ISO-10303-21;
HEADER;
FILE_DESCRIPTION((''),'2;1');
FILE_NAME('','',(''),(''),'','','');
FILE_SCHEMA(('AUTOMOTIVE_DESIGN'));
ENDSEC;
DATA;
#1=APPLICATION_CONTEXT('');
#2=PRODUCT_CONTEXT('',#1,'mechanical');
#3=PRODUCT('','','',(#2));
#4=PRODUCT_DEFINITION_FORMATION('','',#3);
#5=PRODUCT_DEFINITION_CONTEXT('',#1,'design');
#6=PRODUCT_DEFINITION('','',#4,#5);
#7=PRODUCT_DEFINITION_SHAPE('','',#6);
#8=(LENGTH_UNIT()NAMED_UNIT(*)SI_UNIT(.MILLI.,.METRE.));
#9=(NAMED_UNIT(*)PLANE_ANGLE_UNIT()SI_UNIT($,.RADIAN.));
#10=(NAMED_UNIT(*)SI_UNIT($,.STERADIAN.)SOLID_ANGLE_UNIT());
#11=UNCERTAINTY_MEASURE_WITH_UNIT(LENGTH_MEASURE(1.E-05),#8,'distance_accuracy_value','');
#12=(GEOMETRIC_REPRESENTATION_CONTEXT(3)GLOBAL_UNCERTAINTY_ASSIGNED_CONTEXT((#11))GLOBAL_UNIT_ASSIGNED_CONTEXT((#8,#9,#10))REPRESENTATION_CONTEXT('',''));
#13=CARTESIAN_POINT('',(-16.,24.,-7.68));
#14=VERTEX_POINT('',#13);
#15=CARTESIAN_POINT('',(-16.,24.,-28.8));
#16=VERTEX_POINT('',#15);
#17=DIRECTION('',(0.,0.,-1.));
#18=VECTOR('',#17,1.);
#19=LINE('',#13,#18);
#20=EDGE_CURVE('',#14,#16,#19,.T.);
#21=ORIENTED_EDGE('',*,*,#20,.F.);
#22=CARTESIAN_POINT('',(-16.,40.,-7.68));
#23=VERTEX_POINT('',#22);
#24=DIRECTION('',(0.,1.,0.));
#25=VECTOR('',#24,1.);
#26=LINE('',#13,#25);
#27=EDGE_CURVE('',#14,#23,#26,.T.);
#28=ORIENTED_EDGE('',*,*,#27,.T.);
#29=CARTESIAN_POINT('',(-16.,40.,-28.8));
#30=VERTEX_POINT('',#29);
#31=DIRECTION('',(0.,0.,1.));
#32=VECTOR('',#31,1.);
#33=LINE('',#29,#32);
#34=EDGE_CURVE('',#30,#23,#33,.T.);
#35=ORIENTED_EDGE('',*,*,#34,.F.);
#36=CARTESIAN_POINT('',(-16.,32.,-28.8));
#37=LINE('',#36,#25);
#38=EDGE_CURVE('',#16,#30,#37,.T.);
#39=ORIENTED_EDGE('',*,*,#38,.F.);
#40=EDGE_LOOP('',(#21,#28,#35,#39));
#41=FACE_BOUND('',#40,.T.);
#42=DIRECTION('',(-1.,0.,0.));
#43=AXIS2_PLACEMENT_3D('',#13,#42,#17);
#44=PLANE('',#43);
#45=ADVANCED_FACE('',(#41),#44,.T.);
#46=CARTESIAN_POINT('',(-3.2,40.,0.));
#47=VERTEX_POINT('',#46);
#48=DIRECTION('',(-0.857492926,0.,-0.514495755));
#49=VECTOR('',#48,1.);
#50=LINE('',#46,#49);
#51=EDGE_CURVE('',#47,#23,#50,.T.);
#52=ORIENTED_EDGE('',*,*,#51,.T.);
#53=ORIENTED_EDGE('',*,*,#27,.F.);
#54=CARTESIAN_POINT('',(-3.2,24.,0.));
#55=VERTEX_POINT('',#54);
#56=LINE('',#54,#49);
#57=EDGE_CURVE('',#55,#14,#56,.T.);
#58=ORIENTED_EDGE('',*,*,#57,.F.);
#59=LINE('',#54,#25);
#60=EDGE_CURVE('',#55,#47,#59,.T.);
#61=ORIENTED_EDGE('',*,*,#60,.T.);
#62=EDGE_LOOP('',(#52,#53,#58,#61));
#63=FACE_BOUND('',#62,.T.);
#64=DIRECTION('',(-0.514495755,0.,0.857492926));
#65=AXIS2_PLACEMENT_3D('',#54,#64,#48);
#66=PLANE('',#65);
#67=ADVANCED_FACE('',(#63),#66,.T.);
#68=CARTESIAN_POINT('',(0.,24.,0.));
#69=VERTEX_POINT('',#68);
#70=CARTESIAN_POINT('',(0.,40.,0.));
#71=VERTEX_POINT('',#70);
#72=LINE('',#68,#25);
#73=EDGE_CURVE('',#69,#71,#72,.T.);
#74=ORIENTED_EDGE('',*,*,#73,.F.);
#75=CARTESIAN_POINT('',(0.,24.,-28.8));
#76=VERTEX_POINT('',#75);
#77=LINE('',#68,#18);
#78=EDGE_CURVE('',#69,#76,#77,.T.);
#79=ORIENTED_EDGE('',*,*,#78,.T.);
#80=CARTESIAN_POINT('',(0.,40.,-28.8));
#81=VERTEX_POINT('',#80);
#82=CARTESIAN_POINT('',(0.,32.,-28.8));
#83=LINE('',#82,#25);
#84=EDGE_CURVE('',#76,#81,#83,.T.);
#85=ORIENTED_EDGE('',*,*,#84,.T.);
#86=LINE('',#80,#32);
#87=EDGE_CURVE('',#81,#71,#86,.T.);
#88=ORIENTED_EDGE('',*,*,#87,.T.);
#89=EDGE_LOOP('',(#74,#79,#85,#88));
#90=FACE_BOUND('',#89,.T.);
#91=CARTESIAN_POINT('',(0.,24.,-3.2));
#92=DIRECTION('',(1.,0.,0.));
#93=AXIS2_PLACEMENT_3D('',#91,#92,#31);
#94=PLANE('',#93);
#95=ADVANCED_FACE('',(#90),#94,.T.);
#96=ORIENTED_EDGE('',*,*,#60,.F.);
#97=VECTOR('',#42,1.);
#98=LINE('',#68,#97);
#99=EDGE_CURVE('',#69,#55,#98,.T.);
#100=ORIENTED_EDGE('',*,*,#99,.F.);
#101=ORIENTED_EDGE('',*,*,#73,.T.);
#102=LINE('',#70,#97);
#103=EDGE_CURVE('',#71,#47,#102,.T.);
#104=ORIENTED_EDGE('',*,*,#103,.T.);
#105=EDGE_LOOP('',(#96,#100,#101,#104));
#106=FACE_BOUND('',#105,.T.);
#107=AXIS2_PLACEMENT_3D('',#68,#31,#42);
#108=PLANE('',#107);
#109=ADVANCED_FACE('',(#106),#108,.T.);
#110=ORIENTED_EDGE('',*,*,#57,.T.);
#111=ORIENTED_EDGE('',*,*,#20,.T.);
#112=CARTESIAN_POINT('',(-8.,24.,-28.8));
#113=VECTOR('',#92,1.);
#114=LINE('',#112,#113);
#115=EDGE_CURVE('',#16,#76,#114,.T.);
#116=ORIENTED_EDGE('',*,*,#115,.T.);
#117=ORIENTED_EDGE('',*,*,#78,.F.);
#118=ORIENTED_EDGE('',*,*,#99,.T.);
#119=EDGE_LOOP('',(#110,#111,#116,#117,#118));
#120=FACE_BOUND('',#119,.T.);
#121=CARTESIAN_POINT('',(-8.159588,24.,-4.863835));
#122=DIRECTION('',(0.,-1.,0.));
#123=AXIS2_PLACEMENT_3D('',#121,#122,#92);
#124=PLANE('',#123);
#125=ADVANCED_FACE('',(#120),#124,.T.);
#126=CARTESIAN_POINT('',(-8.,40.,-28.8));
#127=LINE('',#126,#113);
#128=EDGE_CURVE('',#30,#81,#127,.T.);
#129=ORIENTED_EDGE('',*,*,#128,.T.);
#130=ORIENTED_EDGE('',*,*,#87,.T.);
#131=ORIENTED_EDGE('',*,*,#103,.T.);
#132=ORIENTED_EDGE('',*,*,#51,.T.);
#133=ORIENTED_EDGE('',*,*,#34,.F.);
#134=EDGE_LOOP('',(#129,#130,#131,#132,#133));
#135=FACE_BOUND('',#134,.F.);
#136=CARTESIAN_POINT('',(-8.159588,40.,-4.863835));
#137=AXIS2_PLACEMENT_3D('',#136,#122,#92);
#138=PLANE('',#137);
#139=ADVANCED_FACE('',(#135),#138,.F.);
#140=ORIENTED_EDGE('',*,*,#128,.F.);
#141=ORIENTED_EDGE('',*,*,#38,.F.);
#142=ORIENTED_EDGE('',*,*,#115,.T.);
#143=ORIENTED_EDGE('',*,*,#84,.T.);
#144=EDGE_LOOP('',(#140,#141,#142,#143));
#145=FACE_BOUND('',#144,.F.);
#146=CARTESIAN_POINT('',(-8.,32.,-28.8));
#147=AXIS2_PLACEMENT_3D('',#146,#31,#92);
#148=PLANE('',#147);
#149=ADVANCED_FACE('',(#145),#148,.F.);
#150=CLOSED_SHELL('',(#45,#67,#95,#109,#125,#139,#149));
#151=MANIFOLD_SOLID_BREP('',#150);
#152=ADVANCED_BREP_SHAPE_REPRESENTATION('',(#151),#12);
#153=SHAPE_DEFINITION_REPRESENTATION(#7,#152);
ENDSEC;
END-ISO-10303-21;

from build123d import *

# Parameters (mm, degrees)
SKETCH023_W     = 16
SKETCH023_H     = 16
PAD013_DEPTH    = 28.8
POCKET010_DEPTH = 16
POCKET047_DEPTH = 16
PAD140_DEPTH    = 16


with BuildPart() as part:
    # Sketch023 (on Face56 of Binder009) → Pad013 (new body)
    with BuildSketch(Plane.XY.offset(-28.8)):
        with Locations((-8, 32)):
            Rectangle(SKETCH023_W, SKETCH023_H)
    extrude(amount=PAD013_DEPTH)

    # Sketch024 (on Face3 of Pad013) → Pocket010 (cut)
    with BuildSketch(Plane.XZ.offset(-24)):
        Polygon((-16, -9.6), (0, 0), (-16, 0), align=None)
    extrude(amount=-POCKET010_DEPTH, mode=Mode.SUBTRACT)

    # Sketch138 (on Face6 of Pocket010) → Pocket047 (cut)
    with BuildSketch(Plane.XZ.offset(-24)):
        Polygon((0, 0), (-3.2, 0), (-16, -7.68), (-16, -10.88), (-3.2, -3.2), (0, -3.2), align=None)
    extrude(amount=-POCKET047_DEPTH, mode=Mode.SUBTRACT)

    # Sketch138 (on Face6 of Pocket010) → Pad140 (join)
    with BuildSketch(Plane.XZ.offset(-24)):
        Polygon((0, 0), (-3.2, 0), (-16, -7.68), (-16, -10.88), (-3.2, -3.2), (0, -3.2), align=None)
    extrude(amount=-PAD140_DEPTH)


solid = part.part
